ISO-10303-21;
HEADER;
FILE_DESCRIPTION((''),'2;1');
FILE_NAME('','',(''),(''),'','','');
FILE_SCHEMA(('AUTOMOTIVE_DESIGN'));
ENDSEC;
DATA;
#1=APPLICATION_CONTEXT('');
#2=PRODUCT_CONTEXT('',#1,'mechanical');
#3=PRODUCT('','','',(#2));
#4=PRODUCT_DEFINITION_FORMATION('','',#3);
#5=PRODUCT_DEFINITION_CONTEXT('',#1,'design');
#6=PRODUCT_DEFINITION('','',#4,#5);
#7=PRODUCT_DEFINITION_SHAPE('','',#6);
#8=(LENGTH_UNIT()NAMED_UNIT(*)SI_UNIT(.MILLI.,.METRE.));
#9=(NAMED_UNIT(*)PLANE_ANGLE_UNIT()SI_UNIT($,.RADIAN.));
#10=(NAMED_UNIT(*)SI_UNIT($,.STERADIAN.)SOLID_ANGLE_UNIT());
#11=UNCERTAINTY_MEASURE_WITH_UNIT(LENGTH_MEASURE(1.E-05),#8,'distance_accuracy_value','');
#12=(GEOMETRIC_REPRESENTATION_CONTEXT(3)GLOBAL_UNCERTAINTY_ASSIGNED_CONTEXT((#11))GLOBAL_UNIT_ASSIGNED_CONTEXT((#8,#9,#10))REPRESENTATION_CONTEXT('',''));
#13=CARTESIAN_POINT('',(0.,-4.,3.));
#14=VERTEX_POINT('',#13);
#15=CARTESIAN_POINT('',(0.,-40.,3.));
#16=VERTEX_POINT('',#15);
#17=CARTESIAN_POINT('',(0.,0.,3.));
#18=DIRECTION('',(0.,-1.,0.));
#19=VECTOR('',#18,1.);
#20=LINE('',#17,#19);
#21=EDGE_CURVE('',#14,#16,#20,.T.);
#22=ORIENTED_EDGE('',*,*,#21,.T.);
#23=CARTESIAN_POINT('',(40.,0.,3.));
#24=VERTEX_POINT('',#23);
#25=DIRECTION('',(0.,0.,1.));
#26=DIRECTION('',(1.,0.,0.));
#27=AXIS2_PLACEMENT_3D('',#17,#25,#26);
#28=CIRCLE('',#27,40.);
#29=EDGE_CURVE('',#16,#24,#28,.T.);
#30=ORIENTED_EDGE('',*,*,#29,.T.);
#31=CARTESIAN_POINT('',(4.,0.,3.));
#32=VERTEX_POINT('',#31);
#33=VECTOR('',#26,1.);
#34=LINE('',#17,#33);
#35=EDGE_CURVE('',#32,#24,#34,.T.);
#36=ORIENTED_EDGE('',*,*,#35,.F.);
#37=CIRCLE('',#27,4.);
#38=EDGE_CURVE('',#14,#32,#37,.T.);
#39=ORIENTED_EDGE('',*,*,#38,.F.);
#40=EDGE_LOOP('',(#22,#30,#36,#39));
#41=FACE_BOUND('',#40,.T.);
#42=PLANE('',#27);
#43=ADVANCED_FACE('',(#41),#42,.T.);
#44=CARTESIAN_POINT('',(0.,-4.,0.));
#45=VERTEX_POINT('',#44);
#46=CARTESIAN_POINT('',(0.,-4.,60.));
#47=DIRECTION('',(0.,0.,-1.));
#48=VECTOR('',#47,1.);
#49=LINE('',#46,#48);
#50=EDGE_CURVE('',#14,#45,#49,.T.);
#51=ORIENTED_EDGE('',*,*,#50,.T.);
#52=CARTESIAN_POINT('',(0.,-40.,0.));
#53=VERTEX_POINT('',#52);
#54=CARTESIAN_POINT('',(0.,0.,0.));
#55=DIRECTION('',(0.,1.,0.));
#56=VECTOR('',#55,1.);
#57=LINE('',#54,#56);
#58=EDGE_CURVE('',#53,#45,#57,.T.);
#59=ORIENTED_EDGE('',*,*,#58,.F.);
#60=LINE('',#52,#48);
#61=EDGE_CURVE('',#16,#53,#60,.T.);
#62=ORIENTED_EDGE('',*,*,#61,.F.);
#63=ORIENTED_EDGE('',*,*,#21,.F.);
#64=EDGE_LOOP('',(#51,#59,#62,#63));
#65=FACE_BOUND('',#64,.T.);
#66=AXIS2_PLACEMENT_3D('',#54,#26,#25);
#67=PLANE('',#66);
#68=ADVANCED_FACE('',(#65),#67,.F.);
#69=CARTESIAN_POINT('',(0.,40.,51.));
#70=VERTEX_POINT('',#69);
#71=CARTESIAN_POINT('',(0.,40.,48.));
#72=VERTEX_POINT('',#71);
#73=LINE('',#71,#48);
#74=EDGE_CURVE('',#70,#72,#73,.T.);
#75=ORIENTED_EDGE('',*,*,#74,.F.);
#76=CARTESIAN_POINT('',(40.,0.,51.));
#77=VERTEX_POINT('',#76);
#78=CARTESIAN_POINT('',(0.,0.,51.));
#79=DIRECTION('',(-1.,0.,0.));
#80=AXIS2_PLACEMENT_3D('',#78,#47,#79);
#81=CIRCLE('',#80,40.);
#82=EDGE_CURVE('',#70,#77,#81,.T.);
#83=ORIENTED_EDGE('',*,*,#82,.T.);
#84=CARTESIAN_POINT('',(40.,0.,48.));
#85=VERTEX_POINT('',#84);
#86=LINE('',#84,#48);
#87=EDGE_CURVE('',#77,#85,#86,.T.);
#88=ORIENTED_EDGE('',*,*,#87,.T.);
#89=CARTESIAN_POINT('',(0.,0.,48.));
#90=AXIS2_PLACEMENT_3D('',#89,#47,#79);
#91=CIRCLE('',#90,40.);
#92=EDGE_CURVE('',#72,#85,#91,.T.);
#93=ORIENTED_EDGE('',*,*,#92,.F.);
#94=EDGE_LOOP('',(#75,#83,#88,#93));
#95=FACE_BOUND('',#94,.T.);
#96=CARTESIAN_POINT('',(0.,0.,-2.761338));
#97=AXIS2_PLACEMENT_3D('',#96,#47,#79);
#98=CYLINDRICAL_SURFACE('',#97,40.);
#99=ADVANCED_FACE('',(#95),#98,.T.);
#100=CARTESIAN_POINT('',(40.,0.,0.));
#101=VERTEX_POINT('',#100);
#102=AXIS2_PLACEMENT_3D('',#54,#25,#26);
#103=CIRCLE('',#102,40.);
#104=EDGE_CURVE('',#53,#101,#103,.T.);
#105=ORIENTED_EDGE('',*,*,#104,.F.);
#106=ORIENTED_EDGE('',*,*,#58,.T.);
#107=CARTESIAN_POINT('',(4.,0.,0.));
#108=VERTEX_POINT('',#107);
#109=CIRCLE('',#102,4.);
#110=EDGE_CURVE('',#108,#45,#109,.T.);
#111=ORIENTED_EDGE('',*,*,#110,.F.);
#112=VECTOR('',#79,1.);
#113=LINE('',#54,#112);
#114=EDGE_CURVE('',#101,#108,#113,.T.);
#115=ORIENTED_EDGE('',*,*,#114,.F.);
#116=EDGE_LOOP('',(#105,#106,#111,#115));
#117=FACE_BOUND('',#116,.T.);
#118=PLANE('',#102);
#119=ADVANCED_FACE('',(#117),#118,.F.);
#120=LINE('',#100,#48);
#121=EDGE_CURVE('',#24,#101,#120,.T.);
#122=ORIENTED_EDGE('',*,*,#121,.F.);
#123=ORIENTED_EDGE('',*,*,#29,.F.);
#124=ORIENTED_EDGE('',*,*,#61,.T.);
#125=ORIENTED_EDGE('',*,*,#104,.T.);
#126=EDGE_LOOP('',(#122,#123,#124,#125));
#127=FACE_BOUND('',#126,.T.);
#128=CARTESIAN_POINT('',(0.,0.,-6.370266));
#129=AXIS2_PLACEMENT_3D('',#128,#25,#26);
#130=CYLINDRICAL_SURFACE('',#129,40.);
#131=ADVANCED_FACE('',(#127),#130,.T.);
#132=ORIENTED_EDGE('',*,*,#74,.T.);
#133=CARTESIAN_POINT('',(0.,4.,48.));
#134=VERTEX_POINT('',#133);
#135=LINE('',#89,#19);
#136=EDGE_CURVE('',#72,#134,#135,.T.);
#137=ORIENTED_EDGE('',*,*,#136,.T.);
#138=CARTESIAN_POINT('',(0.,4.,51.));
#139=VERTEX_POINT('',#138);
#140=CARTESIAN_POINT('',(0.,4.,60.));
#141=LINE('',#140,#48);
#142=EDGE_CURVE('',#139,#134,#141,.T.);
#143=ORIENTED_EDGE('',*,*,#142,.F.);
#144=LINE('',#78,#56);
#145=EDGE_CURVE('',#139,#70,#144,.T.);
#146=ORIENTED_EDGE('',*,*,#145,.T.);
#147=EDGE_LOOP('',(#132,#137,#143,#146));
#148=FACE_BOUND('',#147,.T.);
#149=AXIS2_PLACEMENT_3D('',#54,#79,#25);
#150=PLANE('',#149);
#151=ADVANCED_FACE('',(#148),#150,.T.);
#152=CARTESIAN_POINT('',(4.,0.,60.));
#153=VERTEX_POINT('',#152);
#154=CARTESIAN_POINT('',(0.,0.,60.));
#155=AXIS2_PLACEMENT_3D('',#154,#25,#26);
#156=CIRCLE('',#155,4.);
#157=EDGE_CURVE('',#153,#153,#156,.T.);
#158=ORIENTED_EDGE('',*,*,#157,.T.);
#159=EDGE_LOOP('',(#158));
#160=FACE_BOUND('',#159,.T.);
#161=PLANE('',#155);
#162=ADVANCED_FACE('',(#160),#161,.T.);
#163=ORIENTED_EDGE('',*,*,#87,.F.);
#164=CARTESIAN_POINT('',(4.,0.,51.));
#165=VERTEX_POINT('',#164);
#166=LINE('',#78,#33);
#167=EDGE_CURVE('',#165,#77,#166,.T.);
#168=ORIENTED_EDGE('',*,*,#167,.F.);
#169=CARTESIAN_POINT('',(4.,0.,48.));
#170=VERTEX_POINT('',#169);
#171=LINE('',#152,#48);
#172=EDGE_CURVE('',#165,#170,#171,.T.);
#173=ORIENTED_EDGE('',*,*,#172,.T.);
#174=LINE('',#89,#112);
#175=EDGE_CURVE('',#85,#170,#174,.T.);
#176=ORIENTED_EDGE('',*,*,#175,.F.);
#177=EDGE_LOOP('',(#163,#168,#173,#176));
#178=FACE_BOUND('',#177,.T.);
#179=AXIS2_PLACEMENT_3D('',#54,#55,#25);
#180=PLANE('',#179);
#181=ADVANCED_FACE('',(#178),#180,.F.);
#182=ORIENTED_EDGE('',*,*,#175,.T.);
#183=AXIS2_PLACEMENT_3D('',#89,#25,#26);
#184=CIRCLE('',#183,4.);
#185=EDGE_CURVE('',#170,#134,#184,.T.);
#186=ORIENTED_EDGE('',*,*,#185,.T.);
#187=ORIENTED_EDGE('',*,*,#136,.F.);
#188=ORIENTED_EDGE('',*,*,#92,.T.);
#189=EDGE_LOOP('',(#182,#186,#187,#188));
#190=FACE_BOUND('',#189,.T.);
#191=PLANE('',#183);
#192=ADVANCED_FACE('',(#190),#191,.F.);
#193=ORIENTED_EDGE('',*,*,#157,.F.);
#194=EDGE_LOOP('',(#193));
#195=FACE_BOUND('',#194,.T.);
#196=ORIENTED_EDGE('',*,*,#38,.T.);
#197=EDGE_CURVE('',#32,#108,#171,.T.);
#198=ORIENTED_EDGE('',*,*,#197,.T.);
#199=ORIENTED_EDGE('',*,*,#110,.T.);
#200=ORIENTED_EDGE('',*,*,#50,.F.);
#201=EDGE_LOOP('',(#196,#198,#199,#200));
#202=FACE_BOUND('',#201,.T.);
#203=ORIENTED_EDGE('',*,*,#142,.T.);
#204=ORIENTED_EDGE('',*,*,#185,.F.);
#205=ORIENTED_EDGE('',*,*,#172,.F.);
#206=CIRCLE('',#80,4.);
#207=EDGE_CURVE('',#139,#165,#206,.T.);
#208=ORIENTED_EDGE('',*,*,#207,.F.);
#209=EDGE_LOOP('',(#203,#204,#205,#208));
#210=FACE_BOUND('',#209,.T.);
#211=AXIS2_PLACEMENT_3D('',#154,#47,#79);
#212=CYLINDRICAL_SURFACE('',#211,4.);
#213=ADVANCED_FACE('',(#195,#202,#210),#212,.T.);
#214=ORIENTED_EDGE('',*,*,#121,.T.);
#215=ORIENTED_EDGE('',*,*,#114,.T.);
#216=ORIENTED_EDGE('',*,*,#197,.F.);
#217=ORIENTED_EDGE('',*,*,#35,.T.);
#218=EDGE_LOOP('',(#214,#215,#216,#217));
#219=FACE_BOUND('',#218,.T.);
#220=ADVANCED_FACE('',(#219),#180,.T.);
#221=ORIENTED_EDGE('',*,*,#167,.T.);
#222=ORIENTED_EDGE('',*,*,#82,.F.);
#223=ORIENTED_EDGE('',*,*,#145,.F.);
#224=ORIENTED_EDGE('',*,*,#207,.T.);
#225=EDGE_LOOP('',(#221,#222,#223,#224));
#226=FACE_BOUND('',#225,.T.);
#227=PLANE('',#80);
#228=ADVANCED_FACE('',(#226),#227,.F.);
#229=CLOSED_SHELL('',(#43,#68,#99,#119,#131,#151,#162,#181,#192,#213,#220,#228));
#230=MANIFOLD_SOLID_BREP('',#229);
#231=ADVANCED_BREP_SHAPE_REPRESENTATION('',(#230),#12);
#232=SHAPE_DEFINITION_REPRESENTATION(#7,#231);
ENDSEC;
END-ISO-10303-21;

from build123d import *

# Parameters (mm, degrees)
SKETCH_1_R      = 4
EXTRUDE_1_DEPTH = 60
SKETCH_2_W      = 40
SKETCH_2_H      = 3
REVOLVE_1_ANGLE = 90
SKETCH_3_W      = 40
SKETCH_3_H      = 3
REVOLVE_2_ANGLE = 90


with BuildPart() as part:
    # 草图1 → 凸台-拉伸1 (new body)
    with BuildSketch(Plane.XY):
        Circle(SKETCH_1_R)
    extrude(amount=EXTRUDE_1_DEPTH)

    # 草图2 → 旋转1 (revolve)
    with BuildSketch(Plane(origin=(0, 0, 0), x_dir=(1, 0, 0), z_dir=(0, 1, 0))):
        with Locations((20, -49.5)):
            Rectangle(SKETCH_2_W, SKETCH_2_H)
    revolve(axis=Axis((0, 0, -2.761338376), (0, 0, 1)), revolution_arc=REVOLVE_1_ANGLE)

    # 草图3 → 旋转2 (revolve)
    with BuildSketch(Plane(origin=(0, 0, 0), x_dir=(1, 0, 0), z_dir=(0, 1, 0))):
        with Locations((20, -1.5)):
            Rectangle(SKETCH_3_W, SKETCH_3_H)
    revolve(axis=Axis((0, 0, -6.370265632), (0, 0, -1)), revolution_arc=REVOLVE_2_ANGLE)


solid = part.part
